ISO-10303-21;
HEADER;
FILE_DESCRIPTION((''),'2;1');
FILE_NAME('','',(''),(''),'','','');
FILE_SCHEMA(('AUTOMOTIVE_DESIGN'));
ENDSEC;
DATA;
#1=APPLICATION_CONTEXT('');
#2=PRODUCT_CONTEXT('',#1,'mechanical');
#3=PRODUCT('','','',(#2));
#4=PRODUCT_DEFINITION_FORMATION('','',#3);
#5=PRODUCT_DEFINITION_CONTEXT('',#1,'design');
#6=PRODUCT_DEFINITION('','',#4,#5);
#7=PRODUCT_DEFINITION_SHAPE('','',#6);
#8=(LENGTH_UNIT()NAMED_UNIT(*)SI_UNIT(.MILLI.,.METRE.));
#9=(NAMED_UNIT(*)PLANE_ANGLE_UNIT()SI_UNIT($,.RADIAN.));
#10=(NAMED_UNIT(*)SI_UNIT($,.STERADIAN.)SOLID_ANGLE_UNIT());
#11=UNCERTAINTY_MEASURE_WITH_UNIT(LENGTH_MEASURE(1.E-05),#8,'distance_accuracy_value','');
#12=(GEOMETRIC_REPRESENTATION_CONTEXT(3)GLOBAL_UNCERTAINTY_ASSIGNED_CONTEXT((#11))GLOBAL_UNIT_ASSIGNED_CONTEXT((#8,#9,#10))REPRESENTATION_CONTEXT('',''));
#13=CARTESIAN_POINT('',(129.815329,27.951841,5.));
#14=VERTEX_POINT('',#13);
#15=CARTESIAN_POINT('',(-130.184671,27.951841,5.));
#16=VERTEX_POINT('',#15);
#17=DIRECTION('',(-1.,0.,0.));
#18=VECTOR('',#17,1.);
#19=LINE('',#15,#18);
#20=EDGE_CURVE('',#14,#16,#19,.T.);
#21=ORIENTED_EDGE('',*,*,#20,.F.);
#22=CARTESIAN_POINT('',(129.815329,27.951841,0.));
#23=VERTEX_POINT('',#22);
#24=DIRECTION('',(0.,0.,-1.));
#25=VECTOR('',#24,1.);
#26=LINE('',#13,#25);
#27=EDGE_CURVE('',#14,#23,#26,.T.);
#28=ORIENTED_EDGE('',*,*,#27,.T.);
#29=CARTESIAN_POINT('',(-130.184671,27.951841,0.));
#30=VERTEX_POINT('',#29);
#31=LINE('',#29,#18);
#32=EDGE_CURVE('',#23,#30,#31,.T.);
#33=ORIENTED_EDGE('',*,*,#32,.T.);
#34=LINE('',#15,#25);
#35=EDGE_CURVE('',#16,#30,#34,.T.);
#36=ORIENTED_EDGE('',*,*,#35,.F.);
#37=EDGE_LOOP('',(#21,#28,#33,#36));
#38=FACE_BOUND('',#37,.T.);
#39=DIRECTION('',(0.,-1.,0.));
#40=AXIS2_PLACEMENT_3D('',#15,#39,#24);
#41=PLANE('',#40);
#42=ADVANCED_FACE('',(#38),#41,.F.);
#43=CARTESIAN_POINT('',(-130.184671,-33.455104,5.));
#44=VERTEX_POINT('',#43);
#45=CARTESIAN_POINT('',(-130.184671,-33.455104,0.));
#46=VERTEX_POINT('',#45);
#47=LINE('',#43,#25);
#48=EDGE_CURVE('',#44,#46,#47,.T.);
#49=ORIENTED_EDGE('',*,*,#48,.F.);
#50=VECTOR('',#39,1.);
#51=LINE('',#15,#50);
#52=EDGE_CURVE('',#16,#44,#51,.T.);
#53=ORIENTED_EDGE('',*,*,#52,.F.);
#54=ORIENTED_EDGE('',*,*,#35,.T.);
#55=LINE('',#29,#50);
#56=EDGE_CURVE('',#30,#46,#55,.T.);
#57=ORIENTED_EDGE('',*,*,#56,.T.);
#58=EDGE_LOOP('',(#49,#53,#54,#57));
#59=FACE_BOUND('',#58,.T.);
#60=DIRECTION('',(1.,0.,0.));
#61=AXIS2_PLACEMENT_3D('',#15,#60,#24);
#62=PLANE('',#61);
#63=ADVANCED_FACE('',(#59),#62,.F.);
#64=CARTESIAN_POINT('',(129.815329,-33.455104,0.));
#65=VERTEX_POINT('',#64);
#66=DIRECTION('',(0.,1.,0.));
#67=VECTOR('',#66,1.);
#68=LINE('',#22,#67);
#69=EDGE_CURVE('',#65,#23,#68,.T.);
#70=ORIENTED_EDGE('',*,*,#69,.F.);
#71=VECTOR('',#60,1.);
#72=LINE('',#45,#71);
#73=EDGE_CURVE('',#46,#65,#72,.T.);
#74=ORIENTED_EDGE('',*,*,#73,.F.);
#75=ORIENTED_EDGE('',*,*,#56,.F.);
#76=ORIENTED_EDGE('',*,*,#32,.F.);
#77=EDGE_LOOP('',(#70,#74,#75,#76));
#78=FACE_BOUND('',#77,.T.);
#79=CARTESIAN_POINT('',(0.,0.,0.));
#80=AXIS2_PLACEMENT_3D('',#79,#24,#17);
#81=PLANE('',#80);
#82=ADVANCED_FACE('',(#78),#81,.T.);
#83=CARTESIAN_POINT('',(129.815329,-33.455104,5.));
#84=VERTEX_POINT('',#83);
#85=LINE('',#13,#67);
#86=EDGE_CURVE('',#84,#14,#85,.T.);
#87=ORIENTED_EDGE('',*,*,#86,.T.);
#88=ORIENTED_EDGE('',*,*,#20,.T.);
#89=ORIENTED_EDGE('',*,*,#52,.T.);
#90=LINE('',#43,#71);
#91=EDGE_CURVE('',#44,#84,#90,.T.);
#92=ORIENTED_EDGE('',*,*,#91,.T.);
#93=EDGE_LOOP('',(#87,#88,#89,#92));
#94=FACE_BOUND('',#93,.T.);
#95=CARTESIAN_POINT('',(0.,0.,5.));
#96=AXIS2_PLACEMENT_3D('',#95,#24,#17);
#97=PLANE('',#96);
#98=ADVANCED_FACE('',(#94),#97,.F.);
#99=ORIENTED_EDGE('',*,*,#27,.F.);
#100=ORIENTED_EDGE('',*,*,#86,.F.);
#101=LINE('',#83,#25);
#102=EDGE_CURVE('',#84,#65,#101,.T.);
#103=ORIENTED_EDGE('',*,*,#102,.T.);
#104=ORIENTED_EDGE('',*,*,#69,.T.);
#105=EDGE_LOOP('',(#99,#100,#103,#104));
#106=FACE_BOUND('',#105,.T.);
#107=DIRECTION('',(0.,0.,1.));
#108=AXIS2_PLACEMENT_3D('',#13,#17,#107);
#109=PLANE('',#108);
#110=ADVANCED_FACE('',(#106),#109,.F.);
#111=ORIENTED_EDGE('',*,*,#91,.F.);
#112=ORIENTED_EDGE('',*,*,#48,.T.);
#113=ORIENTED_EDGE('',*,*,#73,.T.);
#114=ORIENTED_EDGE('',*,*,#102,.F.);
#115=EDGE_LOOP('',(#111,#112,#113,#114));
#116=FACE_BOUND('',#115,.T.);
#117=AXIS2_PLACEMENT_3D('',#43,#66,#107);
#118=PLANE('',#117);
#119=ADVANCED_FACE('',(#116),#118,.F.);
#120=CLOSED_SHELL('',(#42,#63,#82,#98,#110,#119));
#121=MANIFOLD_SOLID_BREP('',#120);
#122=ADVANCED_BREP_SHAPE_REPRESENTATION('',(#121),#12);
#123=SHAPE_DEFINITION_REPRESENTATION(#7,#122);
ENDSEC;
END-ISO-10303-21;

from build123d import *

# Parameters (mm, degrees)
CROQUIS1_W              = 260
CROQUIS1_H              = 61.406944489
SALIENTE_EXTRUIR1_DEPTH = 5


with BuildPart() as part:
    # Croquis1 → Saliente-Extruir1 (new body)
    with BuildSketch(Plane.XY):
        with Locations((-0.184670885, -2.751631701)):
            Rectangle(CROQUIS1_W, CROQUIS1_H)
    extrude(amount=SALIENTE_EXTRUIR1_DEPTH)


solid = part.part
